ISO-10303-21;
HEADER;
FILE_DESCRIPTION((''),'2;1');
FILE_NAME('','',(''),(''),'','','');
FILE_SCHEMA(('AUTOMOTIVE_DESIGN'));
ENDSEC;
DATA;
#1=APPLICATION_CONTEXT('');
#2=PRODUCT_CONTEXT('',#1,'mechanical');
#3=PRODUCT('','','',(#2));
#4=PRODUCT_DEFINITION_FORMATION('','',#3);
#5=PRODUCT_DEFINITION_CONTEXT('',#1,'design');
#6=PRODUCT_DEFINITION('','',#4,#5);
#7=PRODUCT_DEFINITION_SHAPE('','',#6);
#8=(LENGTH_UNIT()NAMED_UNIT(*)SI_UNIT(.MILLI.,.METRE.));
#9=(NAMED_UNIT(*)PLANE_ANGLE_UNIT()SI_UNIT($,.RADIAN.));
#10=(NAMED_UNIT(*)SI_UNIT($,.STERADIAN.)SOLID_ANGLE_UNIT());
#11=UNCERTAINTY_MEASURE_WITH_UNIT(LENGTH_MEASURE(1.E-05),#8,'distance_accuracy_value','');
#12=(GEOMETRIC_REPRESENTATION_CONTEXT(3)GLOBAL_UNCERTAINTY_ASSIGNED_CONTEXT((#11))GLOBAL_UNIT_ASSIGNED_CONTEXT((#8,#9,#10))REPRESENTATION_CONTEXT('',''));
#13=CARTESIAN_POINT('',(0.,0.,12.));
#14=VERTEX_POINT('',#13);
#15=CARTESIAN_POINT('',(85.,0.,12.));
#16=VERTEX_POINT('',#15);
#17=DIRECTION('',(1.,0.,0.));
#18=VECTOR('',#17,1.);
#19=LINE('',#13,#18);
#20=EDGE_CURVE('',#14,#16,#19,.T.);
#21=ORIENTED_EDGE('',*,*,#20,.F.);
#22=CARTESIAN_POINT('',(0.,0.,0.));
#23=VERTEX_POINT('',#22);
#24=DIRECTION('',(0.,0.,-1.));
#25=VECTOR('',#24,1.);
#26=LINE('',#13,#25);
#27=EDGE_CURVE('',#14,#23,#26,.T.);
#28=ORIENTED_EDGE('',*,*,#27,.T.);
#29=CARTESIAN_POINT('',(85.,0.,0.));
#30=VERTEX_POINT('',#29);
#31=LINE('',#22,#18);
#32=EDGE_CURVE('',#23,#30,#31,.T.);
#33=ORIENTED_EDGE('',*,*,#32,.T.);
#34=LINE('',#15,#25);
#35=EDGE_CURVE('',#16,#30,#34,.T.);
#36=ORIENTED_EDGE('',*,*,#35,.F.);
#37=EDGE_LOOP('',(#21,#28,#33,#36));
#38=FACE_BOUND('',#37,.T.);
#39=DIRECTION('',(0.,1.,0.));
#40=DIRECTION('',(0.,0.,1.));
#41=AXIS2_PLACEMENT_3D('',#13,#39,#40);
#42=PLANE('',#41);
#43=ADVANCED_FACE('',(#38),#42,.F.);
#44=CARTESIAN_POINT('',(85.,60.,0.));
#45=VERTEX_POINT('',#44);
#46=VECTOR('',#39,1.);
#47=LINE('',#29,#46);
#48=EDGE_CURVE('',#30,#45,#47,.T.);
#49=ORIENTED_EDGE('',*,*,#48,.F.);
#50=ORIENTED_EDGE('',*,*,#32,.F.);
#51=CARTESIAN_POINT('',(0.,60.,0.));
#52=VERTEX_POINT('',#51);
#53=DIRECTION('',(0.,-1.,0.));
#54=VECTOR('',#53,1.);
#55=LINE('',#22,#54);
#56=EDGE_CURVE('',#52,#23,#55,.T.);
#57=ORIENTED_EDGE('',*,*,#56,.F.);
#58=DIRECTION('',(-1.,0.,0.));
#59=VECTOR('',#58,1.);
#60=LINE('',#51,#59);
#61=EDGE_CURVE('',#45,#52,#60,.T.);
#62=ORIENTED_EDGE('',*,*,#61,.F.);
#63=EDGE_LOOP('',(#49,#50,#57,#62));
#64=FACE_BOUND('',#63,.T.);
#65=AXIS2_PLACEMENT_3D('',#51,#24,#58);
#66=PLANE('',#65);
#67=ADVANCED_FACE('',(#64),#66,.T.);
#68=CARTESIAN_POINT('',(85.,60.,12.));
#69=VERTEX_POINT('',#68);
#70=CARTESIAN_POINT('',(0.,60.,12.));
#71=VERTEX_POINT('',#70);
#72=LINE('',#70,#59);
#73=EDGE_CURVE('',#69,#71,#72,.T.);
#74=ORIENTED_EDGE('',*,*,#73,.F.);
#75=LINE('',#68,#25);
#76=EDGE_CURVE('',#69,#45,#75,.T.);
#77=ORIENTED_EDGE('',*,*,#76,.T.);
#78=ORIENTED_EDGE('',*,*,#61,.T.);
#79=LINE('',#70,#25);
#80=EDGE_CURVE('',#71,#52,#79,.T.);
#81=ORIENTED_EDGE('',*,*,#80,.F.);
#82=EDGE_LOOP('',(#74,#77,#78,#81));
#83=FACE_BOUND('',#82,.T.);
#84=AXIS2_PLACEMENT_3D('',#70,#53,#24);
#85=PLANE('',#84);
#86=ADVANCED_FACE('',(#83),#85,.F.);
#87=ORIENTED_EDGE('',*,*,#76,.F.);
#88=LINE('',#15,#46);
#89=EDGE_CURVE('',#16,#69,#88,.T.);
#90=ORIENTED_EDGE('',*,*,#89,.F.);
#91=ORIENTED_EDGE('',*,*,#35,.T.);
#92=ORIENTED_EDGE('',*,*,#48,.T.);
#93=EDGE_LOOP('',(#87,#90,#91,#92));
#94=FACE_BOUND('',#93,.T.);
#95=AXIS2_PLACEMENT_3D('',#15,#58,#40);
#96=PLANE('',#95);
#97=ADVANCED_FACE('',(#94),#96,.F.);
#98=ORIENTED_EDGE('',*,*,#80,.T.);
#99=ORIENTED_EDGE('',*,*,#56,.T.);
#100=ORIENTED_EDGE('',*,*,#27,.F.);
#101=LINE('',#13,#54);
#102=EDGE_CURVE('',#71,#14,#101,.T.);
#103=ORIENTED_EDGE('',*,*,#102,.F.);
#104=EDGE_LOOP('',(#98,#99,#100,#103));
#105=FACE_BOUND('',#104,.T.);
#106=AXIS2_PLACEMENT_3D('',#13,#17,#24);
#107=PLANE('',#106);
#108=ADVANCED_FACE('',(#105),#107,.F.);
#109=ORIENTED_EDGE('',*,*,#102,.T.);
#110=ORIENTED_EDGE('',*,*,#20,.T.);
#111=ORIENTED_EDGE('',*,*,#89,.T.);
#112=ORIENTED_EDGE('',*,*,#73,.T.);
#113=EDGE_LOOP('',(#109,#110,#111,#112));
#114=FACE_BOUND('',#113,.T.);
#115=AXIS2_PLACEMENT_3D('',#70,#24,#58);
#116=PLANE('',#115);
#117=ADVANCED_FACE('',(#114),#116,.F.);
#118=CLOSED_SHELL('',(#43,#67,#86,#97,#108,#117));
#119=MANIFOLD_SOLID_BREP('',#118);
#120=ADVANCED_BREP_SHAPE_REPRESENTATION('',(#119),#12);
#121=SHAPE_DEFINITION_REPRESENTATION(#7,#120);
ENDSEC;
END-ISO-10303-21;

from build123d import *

# Parameters (mm, degrees)
ESQUISSE1_W        = 85
ESQUISSE1_H        = 60
BOSS_EXTRU_1_DEPTH = 12


with BuildPart() as part:
    # Esquisse1 → Boss.-Extru.1 (new body)
    with BuildSketch(Plane.XY):
        with Locations((42.5, 30)):
            Rectangle(ESQUISSE1_W, ESQUISSE1_H)
    extrude(amount=BOSS_EXTRU_1_DEPTH)


solid = part.part
